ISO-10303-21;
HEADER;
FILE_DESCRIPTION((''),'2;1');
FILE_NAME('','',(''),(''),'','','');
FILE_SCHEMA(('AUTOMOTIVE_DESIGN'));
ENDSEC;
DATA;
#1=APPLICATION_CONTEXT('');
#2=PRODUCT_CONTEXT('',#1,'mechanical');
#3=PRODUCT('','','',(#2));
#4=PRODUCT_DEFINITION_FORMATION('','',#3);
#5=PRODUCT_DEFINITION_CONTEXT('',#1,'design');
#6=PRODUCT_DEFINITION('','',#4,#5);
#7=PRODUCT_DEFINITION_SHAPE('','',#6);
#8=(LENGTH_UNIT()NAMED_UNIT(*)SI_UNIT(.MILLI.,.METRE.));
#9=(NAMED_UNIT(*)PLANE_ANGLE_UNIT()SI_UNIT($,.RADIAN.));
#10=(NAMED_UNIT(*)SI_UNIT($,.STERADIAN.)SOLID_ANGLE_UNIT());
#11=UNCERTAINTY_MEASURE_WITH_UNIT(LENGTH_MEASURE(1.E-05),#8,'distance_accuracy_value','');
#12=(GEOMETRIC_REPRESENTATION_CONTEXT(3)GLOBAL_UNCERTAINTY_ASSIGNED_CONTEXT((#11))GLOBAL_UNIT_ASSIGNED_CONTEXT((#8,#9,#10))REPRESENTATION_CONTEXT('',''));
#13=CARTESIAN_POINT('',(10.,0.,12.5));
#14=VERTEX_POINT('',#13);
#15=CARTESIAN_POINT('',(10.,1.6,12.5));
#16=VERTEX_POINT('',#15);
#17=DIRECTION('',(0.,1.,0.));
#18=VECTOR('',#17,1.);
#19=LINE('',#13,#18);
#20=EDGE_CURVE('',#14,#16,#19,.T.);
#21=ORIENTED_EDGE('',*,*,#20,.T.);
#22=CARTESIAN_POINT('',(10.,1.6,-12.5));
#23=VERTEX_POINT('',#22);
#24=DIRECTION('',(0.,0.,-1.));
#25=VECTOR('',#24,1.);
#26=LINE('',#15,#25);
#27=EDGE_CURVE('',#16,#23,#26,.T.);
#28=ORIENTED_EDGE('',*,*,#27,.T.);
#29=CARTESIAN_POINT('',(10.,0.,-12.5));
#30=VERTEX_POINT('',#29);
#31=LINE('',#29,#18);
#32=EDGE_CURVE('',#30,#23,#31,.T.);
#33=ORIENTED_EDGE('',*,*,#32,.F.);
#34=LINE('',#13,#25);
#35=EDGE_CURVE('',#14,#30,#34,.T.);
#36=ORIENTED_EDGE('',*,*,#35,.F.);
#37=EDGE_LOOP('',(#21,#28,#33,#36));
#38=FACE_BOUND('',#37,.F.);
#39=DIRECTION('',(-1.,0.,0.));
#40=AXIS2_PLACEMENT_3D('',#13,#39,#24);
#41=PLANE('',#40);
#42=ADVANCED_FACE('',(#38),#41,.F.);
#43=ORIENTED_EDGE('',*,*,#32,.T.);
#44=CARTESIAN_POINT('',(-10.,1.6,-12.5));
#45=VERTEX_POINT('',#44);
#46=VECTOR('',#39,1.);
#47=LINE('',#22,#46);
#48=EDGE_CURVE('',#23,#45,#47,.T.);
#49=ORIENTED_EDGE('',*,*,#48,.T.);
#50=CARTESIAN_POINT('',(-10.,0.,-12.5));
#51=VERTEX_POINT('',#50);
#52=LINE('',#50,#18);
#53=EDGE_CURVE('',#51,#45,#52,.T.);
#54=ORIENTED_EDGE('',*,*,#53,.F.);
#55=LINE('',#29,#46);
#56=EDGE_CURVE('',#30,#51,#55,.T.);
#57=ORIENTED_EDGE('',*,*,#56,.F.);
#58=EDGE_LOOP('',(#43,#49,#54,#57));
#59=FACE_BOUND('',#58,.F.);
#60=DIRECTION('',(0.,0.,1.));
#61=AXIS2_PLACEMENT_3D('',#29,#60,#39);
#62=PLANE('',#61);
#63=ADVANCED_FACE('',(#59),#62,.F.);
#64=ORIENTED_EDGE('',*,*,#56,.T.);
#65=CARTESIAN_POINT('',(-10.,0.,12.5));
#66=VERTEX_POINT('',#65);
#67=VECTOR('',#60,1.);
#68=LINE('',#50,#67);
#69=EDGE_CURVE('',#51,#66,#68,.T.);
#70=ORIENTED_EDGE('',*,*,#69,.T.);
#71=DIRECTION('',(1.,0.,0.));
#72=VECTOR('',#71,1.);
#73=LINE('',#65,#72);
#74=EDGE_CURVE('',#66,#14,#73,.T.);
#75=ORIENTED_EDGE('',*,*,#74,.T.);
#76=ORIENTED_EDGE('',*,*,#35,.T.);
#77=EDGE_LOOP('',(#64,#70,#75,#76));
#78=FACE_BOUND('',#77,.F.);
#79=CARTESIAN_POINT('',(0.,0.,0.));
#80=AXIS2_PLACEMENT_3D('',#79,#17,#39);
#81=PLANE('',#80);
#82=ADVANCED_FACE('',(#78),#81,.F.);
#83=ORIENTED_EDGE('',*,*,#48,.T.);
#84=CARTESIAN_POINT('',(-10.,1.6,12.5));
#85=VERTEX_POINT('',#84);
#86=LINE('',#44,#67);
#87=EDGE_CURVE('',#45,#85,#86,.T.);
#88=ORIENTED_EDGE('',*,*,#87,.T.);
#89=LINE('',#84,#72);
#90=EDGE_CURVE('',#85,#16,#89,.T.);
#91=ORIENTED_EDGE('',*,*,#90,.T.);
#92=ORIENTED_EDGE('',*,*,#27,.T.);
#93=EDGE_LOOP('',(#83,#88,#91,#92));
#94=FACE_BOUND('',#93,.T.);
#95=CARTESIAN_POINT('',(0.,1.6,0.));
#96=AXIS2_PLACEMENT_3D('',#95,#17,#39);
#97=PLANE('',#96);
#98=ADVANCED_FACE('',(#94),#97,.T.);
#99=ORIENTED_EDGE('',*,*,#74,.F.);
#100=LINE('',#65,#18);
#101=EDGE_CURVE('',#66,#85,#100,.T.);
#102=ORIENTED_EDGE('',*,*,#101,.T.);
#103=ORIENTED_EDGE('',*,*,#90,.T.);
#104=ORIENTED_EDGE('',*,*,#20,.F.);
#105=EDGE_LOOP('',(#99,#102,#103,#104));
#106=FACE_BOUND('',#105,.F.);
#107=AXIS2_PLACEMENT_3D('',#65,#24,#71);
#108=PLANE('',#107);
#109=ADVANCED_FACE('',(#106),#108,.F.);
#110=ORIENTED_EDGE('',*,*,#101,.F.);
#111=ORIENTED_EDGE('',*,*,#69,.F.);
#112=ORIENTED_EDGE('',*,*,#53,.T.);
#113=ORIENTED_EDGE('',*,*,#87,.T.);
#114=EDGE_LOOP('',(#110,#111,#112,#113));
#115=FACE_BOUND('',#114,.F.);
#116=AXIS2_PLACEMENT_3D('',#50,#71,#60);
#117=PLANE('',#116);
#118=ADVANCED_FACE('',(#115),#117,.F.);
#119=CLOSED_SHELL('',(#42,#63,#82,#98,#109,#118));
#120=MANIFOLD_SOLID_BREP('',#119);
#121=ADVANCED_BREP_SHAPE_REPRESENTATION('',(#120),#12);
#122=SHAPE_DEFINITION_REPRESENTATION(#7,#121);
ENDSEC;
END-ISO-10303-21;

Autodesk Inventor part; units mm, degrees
ref_plane "YZ Plane" through (0, 0, 0) normal (1, 0, 0) x (0, 1, 0)
ref_plane "XZ Plane" through (0, 0, 0) normal (0, 1, 0) x (-1, 0, 0)
ref_plane "XY Plane" through (0, 0, 0) normal (0, 0, 1) x (1, 0, 0)
sketch "スケッチ1" plane through (0, 0, 0) normal (0, 1, 0) x (-1, 0, 0)
  line L0 (-10, -12.5) -> (10, -12.5)
  line L1 (10, -12.5) -> (10, 12.5)
  line L2 (10, 12.5) -> (-10, 12.5)
  line L3 (-10, 12.5) -> (-10, -12.5)
  line L4 (-10, -12.5) -> (10, 12.5) construction
  line L5 (10, -12.5) -> (-10, 12.5) construction
  point P0 (0, 0)
  dimension "d0" = 20
  dimension "d1" = 25
extrude "押し出し1" add sketch "スケッチ1" along normal blind 1.6
properties part number "BNO055"
